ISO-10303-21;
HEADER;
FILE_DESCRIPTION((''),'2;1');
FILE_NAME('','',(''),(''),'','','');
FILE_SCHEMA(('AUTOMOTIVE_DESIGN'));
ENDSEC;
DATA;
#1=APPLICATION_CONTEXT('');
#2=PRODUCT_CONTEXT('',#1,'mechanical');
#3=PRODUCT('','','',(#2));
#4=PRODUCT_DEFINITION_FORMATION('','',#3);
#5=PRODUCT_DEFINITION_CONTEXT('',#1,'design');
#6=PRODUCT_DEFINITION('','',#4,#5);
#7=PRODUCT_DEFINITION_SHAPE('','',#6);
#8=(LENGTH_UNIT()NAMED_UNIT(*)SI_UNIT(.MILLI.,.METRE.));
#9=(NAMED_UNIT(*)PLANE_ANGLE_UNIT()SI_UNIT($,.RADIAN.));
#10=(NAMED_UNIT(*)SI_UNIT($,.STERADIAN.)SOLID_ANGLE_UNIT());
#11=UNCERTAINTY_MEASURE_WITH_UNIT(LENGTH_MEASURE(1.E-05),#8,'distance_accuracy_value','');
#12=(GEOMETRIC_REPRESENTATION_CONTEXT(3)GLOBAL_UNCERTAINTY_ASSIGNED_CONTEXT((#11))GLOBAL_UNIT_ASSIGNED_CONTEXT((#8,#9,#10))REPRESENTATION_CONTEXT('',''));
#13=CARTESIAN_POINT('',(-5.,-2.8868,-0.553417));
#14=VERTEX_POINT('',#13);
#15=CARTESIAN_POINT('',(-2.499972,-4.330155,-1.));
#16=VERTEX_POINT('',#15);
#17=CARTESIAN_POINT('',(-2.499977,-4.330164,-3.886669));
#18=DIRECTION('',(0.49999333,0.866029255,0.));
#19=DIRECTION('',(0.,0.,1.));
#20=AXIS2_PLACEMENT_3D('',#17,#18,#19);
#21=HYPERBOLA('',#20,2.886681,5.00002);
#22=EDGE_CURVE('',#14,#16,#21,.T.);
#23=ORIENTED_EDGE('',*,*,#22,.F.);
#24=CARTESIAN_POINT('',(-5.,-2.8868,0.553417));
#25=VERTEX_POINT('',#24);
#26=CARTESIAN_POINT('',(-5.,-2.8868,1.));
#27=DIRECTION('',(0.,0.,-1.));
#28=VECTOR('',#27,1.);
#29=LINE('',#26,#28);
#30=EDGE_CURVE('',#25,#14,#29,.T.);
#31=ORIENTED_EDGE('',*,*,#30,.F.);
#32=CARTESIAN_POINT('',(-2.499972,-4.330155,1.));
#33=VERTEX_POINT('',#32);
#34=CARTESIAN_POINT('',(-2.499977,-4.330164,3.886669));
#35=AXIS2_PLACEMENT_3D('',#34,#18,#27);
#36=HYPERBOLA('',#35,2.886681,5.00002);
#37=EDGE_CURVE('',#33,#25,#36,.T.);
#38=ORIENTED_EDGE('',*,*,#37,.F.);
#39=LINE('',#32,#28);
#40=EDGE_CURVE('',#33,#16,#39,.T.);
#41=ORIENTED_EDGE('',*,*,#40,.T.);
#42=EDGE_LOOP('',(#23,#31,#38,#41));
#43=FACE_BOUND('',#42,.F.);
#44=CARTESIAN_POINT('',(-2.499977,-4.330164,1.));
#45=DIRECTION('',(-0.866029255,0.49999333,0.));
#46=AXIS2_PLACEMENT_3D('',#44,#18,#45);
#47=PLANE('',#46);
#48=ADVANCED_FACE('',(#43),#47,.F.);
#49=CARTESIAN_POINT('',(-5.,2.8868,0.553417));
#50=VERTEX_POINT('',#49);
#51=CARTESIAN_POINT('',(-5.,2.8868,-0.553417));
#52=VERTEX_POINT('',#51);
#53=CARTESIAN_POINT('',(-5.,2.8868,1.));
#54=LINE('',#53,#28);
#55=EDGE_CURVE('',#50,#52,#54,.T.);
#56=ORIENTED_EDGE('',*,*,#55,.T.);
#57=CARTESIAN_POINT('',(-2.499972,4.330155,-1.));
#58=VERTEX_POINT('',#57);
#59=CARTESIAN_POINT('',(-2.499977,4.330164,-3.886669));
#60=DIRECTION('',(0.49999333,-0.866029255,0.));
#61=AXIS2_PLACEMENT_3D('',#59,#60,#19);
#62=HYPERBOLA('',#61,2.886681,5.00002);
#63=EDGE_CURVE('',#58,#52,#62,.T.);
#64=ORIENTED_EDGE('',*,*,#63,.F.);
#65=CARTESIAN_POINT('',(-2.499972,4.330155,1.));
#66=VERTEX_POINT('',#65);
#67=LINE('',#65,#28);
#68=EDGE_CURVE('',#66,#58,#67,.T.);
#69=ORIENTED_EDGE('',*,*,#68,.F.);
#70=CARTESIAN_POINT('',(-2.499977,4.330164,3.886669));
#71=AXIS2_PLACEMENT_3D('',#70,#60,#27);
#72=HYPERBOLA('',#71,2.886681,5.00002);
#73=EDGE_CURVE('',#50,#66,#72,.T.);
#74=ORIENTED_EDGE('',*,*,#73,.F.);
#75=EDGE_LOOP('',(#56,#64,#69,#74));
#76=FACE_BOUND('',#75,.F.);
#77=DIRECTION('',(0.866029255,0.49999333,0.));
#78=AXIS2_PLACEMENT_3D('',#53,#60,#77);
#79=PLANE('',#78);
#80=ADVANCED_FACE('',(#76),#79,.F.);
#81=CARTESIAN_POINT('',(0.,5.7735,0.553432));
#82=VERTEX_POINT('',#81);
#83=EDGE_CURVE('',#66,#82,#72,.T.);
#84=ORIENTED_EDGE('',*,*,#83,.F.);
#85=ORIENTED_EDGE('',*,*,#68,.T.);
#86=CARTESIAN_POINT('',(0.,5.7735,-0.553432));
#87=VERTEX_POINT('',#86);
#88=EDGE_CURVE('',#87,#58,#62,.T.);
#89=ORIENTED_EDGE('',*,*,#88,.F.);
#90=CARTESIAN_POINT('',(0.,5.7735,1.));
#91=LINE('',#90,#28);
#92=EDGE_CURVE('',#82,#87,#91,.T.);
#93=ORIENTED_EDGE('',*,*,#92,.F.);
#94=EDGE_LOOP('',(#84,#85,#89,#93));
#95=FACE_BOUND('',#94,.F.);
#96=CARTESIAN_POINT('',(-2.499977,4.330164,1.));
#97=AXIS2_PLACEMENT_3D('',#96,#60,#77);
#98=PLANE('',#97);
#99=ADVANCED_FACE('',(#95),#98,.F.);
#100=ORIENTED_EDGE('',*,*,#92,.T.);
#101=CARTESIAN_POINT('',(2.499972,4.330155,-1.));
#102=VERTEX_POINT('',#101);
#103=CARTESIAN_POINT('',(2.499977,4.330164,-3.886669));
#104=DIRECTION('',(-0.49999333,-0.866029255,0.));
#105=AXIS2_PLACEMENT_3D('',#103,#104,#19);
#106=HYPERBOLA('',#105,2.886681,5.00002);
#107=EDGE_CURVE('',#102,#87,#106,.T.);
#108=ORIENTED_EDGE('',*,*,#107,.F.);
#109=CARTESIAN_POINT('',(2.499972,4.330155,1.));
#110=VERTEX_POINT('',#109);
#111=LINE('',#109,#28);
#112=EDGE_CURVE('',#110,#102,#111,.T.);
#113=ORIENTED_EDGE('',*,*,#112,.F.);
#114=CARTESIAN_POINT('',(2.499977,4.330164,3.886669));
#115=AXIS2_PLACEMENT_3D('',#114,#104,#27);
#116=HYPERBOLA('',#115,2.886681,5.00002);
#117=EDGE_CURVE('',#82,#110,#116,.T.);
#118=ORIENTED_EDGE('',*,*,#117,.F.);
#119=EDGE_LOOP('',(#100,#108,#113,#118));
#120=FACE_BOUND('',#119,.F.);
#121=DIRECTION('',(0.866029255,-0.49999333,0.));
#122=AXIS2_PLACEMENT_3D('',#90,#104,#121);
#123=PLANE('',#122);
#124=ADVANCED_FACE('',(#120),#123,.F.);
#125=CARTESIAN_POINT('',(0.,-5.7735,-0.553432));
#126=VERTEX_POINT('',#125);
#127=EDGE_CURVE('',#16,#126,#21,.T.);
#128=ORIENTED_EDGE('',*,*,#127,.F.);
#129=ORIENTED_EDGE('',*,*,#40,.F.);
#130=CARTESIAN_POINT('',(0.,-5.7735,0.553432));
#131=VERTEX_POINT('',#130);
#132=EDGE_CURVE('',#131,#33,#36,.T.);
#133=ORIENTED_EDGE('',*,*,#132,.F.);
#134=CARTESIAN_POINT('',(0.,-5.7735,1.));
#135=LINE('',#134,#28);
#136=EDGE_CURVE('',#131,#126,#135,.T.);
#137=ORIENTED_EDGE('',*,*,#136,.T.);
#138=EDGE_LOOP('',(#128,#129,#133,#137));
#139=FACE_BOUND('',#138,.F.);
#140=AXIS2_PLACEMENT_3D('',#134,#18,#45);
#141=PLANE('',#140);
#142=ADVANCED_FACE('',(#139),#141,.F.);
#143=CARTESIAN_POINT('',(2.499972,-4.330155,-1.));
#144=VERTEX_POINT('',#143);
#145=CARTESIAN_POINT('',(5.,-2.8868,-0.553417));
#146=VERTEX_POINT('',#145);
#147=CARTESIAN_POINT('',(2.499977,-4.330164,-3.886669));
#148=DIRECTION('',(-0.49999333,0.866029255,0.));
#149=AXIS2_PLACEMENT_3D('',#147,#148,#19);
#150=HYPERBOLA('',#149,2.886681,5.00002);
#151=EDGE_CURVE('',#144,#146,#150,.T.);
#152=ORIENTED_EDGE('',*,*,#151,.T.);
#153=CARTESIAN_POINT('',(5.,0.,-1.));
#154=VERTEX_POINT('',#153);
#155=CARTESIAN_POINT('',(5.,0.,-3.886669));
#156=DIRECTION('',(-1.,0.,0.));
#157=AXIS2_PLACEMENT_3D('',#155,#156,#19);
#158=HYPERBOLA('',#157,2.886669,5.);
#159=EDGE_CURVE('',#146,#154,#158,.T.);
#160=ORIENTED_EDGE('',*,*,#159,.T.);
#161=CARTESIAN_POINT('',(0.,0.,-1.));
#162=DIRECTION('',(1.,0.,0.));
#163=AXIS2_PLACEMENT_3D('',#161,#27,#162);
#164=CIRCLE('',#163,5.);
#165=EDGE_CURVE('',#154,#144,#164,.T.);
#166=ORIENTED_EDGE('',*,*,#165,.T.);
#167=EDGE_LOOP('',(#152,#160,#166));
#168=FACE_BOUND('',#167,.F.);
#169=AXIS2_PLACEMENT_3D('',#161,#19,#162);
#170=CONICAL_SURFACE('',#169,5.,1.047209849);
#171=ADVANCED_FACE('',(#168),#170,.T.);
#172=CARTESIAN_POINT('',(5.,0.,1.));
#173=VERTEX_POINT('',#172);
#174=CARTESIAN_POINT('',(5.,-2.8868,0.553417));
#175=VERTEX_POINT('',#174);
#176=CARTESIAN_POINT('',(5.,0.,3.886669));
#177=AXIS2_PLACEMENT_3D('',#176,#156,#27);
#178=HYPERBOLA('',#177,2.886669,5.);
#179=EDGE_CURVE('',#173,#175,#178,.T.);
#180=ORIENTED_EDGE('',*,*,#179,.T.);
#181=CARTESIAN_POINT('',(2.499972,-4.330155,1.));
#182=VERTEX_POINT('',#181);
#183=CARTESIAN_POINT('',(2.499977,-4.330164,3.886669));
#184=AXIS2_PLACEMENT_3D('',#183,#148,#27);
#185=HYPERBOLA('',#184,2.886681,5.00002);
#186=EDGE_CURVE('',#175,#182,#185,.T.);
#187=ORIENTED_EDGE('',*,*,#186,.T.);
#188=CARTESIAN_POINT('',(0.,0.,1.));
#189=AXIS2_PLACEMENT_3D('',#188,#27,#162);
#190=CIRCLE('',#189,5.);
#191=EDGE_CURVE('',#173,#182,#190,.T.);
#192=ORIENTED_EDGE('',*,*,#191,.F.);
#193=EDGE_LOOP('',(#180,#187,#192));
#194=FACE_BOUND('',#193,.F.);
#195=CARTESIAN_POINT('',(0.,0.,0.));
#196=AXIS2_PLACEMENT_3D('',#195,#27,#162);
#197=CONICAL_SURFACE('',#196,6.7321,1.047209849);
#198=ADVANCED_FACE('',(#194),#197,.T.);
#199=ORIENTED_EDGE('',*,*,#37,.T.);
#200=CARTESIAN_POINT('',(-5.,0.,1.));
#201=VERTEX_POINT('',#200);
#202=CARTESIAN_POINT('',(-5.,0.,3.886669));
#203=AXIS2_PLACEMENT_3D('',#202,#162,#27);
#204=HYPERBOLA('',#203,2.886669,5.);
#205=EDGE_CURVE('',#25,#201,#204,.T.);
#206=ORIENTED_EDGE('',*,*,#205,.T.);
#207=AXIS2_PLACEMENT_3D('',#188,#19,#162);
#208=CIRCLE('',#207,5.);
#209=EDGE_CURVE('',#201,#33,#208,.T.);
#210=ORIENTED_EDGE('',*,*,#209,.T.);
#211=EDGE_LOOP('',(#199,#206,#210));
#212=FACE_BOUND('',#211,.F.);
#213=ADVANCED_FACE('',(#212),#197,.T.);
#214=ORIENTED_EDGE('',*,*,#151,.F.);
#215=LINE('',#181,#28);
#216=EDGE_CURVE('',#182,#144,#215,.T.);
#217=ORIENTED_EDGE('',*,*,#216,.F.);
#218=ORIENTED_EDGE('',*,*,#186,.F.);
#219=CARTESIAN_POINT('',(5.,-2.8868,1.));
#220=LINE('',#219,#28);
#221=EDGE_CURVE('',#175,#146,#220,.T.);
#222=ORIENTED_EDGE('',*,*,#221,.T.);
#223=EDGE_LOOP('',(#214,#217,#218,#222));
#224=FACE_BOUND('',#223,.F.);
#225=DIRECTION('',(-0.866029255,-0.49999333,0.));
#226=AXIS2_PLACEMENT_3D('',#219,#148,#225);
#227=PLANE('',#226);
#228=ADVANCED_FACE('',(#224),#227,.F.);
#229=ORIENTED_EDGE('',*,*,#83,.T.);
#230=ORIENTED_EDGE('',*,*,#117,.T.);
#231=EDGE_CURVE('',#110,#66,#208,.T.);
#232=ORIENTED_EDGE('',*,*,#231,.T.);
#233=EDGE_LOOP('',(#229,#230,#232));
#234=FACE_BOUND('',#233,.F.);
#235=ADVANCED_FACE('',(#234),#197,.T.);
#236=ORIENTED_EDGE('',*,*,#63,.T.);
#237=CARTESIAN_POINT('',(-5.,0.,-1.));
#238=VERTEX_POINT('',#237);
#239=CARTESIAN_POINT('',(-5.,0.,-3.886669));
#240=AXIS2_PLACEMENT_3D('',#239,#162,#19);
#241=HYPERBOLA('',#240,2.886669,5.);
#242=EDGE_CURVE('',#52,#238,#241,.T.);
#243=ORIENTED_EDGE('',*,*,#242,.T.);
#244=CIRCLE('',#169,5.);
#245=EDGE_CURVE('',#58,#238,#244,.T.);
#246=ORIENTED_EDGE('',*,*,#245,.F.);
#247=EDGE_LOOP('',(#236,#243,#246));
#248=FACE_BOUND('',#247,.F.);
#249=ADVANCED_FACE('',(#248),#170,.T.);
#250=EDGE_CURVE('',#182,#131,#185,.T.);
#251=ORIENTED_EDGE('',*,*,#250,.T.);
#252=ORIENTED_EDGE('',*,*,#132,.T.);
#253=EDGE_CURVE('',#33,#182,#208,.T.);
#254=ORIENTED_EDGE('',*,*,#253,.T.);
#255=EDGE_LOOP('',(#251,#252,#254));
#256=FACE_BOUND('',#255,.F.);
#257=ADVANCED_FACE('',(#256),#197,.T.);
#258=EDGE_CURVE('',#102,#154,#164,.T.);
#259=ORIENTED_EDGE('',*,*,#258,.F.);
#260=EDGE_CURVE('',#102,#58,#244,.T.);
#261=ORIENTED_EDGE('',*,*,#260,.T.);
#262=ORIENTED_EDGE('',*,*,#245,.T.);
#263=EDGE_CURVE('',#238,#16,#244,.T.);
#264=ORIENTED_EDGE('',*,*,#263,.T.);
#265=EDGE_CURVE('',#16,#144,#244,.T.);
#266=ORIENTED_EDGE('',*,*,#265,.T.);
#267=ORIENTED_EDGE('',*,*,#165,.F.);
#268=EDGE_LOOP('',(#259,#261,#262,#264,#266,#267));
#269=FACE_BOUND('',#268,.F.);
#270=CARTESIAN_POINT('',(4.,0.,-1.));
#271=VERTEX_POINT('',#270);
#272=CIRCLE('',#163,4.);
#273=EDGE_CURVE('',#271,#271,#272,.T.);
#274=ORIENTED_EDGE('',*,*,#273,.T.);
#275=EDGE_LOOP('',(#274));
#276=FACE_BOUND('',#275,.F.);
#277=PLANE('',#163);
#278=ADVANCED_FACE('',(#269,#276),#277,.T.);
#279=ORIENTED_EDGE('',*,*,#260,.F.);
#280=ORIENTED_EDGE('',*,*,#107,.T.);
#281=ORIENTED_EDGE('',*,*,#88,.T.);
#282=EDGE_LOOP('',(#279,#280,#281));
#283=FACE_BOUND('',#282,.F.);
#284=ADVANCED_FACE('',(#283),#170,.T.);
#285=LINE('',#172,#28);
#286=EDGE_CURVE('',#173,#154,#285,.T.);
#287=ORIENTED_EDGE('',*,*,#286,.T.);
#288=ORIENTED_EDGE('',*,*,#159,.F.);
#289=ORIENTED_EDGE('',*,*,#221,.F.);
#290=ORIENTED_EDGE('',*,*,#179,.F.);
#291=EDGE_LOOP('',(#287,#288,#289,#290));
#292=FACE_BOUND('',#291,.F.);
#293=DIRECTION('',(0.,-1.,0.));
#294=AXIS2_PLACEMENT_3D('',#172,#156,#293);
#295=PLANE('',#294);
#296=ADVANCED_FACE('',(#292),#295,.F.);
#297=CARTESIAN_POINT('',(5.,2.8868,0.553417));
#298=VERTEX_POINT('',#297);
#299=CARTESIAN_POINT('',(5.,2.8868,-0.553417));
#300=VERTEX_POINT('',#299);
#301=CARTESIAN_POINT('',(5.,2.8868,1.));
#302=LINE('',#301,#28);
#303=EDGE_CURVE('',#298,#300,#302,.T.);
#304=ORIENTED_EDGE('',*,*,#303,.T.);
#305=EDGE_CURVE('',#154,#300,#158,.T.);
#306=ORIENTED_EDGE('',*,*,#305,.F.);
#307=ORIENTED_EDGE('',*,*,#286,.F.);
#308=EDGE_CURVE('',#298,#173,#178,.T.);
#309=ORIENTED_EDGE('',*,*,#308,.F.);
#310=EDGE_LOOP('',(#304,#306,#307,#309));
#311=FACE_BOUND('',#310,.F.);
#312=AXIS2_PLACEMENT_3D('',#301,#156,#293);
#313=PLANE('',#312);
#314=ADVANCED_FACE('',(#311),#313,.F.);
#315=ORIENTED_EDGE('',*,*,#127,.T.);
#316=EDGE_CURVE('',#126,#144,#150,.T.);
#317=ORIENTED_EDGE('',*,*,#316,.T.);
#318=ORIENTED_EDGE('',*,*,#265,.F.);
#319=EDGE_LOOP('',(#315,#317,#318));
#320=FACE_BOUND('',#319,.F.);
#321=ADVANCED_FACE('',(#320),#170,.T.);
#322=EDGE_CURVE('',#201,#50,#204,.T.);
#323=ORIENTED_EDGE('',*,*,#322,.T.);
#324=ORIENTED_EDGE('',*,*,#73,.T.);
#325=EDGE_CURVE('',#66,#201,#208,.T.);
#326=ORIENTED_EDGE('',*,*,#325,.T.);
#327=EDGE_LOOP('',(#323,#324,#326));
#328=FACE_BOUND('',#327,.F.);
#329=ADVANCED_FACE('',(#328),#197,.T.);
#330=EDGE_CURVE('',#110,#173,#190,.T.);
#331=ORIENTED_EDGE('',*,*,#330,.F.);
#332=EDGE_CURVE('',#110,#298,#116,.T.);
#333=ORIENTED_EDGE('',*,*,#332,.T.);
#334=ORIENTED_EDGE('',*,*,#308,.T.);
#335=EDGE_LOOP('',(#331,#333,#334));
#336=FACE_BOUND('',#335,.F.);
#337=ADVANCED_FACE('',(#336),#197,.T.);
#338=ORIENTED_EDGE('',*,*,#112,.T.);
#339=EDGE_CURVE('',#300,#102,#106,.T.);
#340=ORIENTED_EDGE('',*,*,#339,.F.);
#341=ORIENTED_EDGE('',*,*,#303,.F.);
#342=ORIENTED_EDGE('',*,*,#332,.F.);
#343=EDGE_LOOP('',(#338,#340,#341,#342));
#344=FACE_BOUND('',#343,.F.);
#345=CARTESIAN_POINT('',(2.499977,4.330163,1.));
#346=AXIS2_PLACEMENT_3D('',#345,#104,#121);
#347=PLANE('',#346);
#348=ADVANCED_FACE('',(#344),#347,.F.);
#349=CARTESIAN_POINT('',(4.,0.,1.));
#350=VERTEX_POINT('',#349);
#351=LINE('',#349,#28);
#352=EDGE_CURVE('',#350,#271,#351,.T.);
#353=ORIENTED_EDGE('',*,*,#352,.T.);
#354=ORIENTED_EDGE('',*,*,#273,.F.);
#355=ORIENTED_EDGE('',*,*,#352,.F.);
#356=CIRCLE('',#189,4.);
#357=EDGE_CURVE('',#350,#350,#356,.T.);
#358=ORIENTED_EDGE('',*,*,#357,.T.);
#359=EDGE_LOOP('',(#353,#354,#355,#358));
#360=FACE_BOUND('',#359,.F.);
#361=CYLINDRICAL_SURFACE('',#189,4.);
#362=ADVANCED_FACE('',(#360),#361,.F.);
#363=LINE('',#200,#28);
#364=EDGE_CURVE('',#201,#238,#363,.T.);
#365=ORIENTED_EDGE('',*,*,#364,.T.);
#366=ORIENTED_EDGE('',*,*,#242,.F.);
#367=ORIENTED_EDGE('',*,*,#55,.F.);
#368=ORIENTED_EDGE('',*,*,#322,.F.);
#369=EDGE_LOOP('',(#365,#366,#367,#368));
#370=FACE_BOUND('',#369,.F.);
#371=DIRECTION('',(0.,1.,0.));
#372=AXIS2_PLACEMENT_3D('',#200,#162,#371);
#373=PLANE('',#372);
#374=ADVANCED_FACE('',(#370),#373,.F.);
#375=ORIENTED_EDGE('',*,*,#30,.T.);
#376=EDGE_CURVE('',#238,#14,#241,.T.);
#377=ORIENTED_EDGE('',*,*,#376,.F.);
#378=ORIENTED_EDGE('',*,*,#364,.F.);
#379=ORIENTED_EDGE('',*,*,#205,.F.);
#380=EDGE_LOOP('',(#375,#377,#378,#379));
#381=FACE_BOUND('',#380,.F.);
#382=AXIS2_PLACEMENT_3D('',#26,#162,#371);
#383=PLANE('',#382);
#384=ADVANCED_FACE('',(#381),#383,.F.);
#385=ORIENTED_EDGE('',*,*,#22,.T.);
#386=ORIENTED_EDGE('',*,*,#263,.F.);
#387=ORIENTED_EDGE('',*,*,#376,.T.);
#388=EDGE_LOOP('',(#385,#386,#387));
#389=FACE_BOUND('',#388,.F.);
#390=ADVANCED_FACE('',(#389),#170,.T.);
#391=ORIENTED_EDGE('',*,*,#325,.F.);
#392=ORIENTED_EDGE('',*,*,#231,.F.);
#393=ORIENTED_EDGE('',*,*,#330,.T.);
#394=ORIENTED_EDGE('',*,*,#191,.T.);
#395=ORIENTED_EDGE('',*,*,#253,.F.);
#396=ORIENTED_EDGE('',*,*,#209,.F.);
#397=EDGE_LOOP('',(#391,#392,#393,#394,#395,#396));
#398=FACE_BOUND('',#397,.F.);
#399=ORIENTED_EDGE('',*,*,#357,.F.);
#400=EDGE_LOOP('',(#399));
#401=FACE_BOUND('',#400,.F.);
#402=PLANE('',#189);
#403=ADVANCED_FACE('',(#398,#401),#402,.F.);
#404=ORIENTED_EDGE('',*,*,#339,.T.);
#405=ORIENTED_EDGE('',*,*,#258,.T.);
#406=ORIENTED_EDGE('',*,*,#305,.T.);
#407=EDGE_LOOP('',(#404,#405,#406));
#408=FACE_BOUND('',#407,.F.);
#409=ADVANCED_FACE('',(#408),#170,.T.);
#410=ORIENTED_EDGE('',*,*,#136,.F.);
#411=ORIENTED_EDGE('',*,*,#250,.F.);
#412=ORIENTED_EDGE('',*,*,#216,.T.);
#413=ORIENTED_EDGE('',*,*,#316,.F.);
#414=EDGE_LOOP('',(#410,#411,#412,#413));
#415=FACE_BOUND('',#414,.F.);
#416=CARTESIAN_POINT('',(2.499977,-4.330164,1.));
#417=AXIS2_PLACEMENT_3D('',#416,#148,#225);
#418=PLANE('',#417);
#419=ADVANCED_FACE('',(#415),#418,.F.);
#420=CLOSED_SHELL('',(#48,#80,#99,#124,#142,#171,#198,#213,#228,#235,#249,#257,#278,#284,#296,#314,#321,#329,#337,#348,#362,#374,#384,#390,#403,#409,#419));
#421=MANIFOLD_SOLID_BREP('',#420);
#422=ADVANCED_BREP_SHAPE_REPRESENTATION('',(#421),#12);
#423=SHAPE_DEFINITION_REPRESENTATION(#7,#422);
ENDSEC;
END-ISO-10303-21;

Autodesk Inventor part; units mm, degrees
ref_plane "YZ Plane" through (0, 0, 0) normal (1, 0, 0) x (0, 1, 0)
ref_plane "XZ Plane" through (0, 0, 0) normal (0, 1, 0) x (-1, 0, 0)
ref_plane "XY Plane" through (0, 0, 0) normal (0, 0, 1) x (1, 0, 0)
sketch "Sketch1" plane through (0, 0, 0) normal (0, 1, 0) x (-1, 0, 0)
  line L0 (0, 1) -> (0, -1)
  line L1 (-4, 1) -> (-4, -1)
  line L2 (-4, -1) -> (-5, -1)
  line L3 (-5, -1) -> (-6.7321, 0)
  line L4 (-6.7321, 0) -> (-5, 1)
  line L5 (-5, 1) -> (-4, 1)
  point P0 (0, 0)
  point P1 (0, 0)
  dimension "d0" = 10
  dimension "d1" = 8
  dimension "d2" = 2
  dimension "d4" = 30
revolve "Revolution1" add sketch "Sketch1" angle 360 about axis through (0, 0, 1) along (0, 0, -1)
sketch "Sketch2" plane through (0, 0, 1) normal (0, 0, 1) x (1, 0, 0)
  circle A0 centre (0, 0) radius 4 projected
  circle A1 centre (0, 0) radius 5 projected
  line L0 (0, 5.7735) -> (5, 2.8868)
  line L1 (5, 2.8868) -> (5, -2.8868)
  line L2 (5, -2.8868) -> (0, -5.7735)
  line L3 (0, -5.7735) -> (-5, -2.8868)
  line L4 (-5, -2.8868) -> (-5, 2.8868)
  line L5 (-5, 2.8868) -> (0, 5.7735)
  point P0 (0, 0)
extrude "Extrusion1" cut sketch "Sketch2" against normal through all keep common part
thread "Thread1" size "M8x0.5" class "6H" standard "ANSI Metric M Profile" full length
properties part number "Nut_M8x0.5_2mm" material "Brass, Soft Yellow"
